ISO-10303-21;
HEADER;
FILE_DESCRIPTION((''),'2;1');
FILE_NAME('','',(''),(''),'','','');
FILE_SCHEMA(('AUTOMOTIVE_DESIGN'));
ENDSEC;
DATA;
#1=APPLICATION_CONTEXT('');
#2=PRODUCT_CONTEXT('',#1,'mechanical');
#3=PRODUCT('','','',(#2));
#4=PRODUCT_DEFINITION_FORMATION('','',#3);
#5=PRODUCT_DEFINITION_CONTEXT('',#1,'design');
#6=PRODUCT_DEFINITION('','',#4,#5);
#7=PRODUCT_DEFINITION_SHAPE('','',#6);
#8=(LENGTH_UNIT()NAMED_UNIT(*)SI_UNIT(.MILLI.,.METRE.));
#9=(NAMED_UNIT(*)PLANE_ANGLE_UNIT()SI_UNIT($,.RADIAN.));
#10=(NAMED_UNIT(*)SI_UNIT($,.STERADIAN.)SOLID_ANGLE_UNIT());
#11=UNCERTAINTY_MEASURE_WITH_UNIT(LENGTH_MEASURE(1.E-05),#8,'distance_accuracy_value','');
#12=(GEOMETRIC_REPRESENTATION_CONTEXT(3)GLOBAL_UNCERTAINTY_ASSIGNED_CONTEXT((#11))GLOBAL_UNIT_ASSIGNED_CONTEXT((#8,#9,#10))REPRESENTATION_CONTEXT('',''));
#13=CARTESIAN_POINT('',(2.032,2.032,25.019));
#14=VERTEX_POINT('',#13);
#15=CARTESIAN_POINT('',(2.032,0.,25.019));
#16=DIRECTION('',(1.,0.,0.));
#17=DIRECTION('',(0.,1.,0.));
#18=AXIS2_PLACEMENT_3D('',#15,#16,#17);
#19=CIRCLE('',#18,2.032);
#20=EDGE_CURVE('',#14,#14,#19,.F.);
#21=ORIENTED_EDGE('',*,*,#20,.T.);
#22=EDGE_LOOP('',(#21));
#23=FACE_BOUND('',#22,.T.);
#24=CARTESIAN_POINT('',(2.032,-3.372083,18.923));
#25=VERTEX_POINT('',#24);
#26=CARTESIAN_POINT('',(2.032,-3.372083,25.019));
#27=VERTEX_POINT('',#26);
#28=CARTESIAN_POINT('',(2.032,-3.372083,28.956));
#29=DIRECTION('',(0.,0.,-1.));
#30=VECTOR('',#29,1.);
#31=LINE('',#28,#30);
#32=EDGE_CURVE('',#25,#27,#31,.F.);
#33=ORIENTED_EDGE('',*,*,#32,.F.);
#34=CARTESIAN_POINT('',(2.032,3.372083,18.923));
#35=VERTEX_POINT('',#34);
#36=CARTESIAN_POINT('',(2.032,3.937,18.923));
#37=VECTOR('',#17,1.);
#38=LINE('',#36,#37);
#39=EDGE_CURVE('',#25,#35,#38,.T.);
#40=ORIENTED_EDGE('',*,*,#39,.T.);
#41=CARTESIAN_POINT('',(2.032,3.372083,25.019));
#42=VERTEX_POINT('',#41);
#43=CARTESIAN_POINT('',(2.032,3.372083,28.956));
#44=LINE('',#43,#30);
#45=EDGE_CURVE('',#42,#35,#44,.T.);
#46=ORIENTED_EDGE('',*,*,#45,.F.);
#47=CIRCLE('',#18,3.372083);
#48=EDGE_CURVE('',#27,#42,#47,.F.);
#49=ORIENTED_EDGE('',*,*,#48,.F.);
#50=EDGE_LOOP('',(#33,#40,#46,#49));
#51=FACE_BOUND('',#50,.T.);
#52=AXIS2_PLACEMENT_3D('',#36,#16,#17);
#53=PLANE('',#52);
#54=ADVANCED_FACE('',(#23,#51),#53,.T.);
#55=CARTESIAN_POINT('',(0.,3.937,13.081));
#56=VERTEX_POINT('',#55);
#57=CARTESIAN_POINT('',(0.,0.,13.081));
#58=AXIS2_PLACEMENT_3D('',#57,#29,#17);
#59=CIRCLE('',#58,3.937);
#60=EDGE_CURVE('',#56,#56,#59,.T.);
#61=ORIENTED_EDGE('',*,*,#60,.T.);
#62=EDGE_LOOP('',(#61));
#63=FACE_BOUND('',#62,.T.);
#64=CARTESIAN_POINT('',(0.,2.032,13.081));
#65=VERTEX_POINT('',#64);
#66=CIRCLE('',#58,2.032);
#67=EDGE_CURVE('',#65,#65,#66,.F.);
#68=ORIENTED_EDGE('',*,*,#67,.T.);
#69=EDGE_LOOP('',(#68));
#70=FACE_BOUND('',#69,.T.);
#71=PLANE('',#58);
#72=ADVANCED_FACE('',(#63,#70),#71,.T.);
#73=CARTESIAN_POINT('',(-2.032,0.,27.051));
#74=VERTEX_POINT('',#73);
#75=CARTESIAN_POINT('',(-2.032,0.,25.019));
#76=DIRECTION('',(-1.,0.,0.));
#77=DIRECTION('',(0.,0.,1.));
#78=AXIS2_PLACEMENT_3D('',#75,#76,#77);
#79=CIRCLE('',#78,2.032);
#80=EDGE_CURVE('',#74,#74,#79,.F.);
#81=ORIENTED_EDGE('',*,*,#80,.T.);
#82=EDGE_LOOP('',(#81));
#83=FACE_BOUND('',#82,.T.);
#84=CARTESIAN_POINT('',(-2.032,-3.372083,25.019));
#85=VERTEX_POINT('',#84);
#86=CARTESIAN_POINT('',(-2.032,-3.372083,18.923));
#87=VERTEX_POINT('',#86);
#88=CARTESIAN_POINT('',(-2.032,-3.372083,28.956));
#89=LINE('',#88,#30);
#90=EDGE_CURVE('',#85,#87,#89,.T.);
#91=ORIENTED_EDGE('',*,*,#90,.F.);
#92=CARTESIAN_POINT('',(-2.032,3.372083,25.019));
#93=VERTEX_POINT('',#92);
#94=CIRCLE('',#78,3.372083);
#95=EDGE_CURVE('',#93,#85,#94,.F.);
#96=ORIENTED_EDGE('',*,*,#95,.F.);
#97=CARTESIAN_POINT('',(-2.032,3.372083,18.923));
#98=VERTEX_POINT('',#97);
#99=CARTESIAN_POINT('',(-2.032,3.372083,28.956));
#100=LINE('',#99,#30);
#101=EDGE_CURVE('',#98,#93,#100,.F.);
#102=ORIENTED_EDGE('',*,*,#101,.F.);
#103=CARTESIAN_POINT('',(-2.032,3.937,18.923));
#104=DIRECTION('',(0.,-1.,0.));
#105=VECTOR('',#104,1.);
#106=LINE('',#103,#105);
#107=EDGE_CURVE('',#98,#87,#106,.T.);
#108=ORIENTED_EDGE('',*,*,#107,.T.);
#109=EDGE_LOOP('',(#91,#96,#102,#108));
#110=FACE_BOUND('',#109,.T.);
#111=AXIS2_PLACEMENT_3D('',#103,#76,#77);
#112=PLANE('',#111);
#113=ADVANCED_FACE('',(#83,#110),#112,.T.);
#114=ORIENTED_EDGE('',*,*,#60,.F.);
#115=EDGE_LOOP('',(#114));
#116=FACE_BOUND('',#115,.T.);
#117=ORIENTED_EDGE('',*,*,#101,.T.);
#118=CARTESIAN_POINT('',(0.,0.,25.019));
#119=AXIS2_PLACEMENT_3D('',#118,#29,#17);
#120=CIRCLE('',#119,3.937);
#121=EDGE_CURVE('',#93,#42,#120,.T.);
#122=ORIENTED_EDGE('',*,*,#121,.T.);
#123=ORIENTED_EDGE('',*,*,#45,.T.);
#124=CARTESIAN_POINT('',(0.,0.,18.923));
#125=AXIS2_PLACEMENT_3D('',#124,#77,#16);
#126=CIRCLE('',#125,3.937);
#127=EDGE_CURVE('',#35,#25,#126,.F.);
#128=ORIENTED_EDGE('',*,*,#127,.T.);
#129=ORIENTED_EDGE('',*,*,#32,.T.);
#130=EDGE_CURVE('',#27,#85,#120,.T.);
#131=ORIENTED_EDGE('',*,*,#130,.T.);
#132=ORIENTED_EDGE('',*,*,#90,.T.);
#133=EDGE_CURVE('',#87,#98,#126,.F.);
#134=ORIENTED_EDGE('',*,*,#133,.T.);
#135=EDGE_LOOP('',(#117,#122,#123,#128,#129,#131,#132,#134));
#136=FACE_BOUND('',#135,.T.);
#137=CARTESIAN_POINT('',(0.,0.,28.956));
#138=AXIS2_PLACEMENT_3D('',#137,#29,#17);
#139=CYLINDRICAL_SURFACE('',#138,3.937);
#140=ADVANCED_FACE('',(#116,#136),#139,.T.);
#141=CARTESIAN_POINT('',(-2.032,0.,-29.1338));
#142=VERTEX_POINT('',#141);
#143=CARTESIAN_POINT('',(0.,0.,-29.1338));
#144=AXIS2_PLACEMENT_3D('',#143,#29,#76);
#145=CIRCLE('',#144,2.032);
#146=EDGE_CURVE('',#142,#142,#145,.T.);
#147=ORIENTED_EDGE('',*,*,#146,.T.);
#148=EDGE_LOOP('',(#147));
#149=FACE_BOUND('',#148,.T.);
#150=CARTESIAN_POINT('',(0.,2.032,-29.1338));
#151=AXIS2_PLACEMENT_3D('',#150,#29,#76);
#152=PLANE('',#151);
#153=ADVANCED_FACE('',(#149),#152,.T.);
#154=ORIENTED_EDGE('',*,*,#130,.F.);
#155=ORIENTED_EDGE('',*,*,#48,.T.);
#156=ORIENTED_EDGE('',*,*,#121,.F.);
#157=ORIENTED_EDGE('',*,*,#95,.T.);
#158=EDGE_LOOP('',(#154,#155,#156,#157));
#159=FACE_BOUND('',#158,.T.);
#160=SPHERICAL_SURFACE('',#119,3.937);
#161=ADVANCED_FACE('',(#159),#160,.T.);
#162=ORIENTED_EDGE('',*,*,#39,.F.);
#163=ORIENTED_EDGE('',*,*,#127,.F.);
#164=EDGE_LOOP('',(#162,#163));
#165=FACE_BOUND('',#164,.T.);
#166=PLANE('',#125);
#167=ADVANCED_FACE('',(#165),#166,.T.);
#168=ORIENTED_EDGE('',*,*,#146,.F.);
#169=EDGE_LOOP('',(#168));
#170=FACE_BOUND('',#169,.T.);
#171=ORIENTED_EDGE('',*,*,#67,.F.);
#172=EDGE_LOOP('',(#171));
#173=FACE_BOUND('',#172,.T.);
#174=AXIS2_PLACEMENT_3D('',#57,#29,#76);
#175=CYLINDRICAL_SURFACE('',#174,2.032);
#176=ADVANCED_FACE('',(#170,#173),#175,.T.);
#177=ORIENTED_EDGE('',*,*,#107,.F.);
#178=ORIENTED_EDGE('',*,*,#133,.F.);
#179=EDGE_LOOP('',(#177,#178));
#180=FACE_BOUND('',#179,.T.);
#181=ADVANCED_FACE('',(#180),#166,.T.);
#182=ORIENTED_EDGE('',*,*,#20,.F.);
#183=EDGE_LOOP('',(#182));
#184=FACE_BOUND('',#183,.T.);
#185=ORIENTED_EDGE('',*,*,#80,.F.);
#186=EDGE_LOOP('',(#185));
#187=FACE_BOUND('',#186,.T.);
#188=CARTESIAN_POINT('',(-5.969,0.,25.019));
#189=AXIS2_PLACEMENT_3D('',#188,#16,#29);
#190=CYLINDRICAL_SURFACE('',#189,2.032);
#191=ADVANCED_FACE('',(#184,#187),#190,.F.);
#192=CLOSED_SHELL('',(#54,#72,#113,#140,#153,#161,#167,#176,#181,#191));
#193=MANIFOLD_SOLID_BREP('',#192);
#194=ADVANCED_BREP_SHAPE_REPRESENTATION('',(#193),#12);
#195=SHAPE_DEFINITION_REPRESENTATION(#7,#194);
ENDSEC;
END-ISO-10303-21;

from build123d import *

# Parameters (mm, degrees)
FILLET2_R               = 0.77724
SKETCH2_R               = 2.032
EXTRUDE2_DEPTH          = 2.032
SKETCH9_W               = 42.2148
SKETCH9_H               = 2.032
SKETCH12_R              = 2.032
CUT_EXTRUDE1_DEPTH      = 6.9690001
CUT_EXTRUDE1_DEPTH_BACK = 6.9690001
SKETCH13_OUTSIDE_W      = 37.724
SKETCH13_OUTSIDE_H      = 37.724
SKETCH13_OUTSIDE_W_2    = 4.064
SKETCH13_OUTSIDE_H_2    = 7.874
CUT_EXTRUDE2_DEPTH      = 4.937
CUT_EXTRUDE2_DEPTH_BACK = 6.096
LPATTERN1_COUNT         = 2
LPATTERN1_PITCH         = 29.972


with BuildPart() as part:
    # Sketch1 → Revolve1 (revolve)
    with BuildSketch(Plane(origin=(0, 0, 0), x_dir=(0, 0, -1), z_dir=(1, 0, 0))):
        Polygon((46.609, 0), (46.609, 5.969), (-13.0302, 5.969), (-13.0302, 2.0828), (16.9926, 2.0828), (29.1846, 2.0828), (29.1846, 0), align=None)
    revolve(axis=Axis((0, 0, 54.991), (0, 0, -1)))

    # Fillet2
    fillet2_edges = [part.edges().sort_by_distance(p)[0] for p in [
        (0, -5.969, 13.0302),
        (0, -5.969, -46.609),
    ]]
    fillet(fillet2_edges, radius=FILLET2_R)

    # Sketch2 → Extrude2 (add, symmetric)
    with BuildSketch(Plane(origin=(0, 0, 0), x_dir=(0, 0, -1), z_dir=(1, 0, 0))):
        with BuildLine():
            Line((46.609, 3.81), (54.991, 3.81))
            ThreePointArc((54.991, 3.81), (58.801, 0), (54.991, -3.81))
            Line((54.991, -3.81), (46.609, -3.81))
            Line((46.609, -3.81), (46.609, 3.81))
        make_face()
        with Locations((54.991, 0)):
            Circle(SKETCH2_R, mode=Mode.SUBTRACT)
    extrude(amount=EXTRUDE2_DEPTH, both=True)


with BuildPart() as body_2:
    # Sketch9 → Revolve5 (revolve)
    with BuildSketch(Plane(origin=(0, 0, 0), x_dir=(0, 0, -1), z_dir=(1, 0, 0))):
        with Locations((-21.9456, 1.016)):
            Rectangle(SKETCH9_W, SKETCH9_H)
    revolve(axis=Axis((0, 0, 43.053), (0, 0, 1)))

    # Sketch11 → Revolve6 (revolve)
    with BuildSketch(Plane(origin=(0, 0, 0), x_dir=(0, 0, -1), z_dir=(1, 0, 0))):
        with BuildLine():
            Line((-43.053, 0), (-43.053, 3.937))
            Line((-43.053, 3.937), (-54.991, 3.937))
            ThreePointArc((-54.991, 3.937), (-57.774879398, 2.783879398), (-58.928, 0))
            Line((-58.928, 0), (-43.053, 0))
        make_face()
    revolve(axis=Axis((0, 0, 58.928), (0, 0, 1)))

    # Sketch12 → Cut-Extrude1 (cut, two sides)
    with BuildSketch(Plane(origin=(0, 0, 0), x_dir=(0, 0, -1), z_dir=(1, 0, 0))) as cut_extrude1_sk:
        with Locations((-54.991, 0)):
            Circle(SKETCH12_R)
    extrude(amount=CUT_EXTRUDE1_DEPTH, mode=Mode.SUBTRACT)
    extrude(cut_extrude1_sk.sketch, amount=-CUT_EXTRUDE1_DEPTH_BACK, mode=Mode.SUBTRACT)

    # Sketch13 outside → Cut-Extrude2 (cut, two sides)
    with BuildSketch(Plane.XY.offset(54.991)) as cut_extrude2_sk:
        Rectangle(SKETCH13_OUTSIDE_W, SKETCH13_OUTSIDE_H)
        Rectangle(SKETCH13_OUTSIDE_W_2, SKETCH13_OUTSIDE_H_2, mode=Mode.SUBTRACT)
    extrude(amount=CUT_EXTRUDE2_DEPTH, mode=Mode.SUBTRACT)
    extrude(cut_extrude2_sk.sketch, amount=-CUT_EXTRUDE2_DEPTH_BACK, mode=Mode.SUBTRACT)


with BuildPart() as lpattern1_1:
    # LPattern1: pattern copy
    add(body_2.part.moved(Location(Vector(0, 0, -1) * (1 * LPATTERN1_PITCH))))


solid = lpattern1_1.part
